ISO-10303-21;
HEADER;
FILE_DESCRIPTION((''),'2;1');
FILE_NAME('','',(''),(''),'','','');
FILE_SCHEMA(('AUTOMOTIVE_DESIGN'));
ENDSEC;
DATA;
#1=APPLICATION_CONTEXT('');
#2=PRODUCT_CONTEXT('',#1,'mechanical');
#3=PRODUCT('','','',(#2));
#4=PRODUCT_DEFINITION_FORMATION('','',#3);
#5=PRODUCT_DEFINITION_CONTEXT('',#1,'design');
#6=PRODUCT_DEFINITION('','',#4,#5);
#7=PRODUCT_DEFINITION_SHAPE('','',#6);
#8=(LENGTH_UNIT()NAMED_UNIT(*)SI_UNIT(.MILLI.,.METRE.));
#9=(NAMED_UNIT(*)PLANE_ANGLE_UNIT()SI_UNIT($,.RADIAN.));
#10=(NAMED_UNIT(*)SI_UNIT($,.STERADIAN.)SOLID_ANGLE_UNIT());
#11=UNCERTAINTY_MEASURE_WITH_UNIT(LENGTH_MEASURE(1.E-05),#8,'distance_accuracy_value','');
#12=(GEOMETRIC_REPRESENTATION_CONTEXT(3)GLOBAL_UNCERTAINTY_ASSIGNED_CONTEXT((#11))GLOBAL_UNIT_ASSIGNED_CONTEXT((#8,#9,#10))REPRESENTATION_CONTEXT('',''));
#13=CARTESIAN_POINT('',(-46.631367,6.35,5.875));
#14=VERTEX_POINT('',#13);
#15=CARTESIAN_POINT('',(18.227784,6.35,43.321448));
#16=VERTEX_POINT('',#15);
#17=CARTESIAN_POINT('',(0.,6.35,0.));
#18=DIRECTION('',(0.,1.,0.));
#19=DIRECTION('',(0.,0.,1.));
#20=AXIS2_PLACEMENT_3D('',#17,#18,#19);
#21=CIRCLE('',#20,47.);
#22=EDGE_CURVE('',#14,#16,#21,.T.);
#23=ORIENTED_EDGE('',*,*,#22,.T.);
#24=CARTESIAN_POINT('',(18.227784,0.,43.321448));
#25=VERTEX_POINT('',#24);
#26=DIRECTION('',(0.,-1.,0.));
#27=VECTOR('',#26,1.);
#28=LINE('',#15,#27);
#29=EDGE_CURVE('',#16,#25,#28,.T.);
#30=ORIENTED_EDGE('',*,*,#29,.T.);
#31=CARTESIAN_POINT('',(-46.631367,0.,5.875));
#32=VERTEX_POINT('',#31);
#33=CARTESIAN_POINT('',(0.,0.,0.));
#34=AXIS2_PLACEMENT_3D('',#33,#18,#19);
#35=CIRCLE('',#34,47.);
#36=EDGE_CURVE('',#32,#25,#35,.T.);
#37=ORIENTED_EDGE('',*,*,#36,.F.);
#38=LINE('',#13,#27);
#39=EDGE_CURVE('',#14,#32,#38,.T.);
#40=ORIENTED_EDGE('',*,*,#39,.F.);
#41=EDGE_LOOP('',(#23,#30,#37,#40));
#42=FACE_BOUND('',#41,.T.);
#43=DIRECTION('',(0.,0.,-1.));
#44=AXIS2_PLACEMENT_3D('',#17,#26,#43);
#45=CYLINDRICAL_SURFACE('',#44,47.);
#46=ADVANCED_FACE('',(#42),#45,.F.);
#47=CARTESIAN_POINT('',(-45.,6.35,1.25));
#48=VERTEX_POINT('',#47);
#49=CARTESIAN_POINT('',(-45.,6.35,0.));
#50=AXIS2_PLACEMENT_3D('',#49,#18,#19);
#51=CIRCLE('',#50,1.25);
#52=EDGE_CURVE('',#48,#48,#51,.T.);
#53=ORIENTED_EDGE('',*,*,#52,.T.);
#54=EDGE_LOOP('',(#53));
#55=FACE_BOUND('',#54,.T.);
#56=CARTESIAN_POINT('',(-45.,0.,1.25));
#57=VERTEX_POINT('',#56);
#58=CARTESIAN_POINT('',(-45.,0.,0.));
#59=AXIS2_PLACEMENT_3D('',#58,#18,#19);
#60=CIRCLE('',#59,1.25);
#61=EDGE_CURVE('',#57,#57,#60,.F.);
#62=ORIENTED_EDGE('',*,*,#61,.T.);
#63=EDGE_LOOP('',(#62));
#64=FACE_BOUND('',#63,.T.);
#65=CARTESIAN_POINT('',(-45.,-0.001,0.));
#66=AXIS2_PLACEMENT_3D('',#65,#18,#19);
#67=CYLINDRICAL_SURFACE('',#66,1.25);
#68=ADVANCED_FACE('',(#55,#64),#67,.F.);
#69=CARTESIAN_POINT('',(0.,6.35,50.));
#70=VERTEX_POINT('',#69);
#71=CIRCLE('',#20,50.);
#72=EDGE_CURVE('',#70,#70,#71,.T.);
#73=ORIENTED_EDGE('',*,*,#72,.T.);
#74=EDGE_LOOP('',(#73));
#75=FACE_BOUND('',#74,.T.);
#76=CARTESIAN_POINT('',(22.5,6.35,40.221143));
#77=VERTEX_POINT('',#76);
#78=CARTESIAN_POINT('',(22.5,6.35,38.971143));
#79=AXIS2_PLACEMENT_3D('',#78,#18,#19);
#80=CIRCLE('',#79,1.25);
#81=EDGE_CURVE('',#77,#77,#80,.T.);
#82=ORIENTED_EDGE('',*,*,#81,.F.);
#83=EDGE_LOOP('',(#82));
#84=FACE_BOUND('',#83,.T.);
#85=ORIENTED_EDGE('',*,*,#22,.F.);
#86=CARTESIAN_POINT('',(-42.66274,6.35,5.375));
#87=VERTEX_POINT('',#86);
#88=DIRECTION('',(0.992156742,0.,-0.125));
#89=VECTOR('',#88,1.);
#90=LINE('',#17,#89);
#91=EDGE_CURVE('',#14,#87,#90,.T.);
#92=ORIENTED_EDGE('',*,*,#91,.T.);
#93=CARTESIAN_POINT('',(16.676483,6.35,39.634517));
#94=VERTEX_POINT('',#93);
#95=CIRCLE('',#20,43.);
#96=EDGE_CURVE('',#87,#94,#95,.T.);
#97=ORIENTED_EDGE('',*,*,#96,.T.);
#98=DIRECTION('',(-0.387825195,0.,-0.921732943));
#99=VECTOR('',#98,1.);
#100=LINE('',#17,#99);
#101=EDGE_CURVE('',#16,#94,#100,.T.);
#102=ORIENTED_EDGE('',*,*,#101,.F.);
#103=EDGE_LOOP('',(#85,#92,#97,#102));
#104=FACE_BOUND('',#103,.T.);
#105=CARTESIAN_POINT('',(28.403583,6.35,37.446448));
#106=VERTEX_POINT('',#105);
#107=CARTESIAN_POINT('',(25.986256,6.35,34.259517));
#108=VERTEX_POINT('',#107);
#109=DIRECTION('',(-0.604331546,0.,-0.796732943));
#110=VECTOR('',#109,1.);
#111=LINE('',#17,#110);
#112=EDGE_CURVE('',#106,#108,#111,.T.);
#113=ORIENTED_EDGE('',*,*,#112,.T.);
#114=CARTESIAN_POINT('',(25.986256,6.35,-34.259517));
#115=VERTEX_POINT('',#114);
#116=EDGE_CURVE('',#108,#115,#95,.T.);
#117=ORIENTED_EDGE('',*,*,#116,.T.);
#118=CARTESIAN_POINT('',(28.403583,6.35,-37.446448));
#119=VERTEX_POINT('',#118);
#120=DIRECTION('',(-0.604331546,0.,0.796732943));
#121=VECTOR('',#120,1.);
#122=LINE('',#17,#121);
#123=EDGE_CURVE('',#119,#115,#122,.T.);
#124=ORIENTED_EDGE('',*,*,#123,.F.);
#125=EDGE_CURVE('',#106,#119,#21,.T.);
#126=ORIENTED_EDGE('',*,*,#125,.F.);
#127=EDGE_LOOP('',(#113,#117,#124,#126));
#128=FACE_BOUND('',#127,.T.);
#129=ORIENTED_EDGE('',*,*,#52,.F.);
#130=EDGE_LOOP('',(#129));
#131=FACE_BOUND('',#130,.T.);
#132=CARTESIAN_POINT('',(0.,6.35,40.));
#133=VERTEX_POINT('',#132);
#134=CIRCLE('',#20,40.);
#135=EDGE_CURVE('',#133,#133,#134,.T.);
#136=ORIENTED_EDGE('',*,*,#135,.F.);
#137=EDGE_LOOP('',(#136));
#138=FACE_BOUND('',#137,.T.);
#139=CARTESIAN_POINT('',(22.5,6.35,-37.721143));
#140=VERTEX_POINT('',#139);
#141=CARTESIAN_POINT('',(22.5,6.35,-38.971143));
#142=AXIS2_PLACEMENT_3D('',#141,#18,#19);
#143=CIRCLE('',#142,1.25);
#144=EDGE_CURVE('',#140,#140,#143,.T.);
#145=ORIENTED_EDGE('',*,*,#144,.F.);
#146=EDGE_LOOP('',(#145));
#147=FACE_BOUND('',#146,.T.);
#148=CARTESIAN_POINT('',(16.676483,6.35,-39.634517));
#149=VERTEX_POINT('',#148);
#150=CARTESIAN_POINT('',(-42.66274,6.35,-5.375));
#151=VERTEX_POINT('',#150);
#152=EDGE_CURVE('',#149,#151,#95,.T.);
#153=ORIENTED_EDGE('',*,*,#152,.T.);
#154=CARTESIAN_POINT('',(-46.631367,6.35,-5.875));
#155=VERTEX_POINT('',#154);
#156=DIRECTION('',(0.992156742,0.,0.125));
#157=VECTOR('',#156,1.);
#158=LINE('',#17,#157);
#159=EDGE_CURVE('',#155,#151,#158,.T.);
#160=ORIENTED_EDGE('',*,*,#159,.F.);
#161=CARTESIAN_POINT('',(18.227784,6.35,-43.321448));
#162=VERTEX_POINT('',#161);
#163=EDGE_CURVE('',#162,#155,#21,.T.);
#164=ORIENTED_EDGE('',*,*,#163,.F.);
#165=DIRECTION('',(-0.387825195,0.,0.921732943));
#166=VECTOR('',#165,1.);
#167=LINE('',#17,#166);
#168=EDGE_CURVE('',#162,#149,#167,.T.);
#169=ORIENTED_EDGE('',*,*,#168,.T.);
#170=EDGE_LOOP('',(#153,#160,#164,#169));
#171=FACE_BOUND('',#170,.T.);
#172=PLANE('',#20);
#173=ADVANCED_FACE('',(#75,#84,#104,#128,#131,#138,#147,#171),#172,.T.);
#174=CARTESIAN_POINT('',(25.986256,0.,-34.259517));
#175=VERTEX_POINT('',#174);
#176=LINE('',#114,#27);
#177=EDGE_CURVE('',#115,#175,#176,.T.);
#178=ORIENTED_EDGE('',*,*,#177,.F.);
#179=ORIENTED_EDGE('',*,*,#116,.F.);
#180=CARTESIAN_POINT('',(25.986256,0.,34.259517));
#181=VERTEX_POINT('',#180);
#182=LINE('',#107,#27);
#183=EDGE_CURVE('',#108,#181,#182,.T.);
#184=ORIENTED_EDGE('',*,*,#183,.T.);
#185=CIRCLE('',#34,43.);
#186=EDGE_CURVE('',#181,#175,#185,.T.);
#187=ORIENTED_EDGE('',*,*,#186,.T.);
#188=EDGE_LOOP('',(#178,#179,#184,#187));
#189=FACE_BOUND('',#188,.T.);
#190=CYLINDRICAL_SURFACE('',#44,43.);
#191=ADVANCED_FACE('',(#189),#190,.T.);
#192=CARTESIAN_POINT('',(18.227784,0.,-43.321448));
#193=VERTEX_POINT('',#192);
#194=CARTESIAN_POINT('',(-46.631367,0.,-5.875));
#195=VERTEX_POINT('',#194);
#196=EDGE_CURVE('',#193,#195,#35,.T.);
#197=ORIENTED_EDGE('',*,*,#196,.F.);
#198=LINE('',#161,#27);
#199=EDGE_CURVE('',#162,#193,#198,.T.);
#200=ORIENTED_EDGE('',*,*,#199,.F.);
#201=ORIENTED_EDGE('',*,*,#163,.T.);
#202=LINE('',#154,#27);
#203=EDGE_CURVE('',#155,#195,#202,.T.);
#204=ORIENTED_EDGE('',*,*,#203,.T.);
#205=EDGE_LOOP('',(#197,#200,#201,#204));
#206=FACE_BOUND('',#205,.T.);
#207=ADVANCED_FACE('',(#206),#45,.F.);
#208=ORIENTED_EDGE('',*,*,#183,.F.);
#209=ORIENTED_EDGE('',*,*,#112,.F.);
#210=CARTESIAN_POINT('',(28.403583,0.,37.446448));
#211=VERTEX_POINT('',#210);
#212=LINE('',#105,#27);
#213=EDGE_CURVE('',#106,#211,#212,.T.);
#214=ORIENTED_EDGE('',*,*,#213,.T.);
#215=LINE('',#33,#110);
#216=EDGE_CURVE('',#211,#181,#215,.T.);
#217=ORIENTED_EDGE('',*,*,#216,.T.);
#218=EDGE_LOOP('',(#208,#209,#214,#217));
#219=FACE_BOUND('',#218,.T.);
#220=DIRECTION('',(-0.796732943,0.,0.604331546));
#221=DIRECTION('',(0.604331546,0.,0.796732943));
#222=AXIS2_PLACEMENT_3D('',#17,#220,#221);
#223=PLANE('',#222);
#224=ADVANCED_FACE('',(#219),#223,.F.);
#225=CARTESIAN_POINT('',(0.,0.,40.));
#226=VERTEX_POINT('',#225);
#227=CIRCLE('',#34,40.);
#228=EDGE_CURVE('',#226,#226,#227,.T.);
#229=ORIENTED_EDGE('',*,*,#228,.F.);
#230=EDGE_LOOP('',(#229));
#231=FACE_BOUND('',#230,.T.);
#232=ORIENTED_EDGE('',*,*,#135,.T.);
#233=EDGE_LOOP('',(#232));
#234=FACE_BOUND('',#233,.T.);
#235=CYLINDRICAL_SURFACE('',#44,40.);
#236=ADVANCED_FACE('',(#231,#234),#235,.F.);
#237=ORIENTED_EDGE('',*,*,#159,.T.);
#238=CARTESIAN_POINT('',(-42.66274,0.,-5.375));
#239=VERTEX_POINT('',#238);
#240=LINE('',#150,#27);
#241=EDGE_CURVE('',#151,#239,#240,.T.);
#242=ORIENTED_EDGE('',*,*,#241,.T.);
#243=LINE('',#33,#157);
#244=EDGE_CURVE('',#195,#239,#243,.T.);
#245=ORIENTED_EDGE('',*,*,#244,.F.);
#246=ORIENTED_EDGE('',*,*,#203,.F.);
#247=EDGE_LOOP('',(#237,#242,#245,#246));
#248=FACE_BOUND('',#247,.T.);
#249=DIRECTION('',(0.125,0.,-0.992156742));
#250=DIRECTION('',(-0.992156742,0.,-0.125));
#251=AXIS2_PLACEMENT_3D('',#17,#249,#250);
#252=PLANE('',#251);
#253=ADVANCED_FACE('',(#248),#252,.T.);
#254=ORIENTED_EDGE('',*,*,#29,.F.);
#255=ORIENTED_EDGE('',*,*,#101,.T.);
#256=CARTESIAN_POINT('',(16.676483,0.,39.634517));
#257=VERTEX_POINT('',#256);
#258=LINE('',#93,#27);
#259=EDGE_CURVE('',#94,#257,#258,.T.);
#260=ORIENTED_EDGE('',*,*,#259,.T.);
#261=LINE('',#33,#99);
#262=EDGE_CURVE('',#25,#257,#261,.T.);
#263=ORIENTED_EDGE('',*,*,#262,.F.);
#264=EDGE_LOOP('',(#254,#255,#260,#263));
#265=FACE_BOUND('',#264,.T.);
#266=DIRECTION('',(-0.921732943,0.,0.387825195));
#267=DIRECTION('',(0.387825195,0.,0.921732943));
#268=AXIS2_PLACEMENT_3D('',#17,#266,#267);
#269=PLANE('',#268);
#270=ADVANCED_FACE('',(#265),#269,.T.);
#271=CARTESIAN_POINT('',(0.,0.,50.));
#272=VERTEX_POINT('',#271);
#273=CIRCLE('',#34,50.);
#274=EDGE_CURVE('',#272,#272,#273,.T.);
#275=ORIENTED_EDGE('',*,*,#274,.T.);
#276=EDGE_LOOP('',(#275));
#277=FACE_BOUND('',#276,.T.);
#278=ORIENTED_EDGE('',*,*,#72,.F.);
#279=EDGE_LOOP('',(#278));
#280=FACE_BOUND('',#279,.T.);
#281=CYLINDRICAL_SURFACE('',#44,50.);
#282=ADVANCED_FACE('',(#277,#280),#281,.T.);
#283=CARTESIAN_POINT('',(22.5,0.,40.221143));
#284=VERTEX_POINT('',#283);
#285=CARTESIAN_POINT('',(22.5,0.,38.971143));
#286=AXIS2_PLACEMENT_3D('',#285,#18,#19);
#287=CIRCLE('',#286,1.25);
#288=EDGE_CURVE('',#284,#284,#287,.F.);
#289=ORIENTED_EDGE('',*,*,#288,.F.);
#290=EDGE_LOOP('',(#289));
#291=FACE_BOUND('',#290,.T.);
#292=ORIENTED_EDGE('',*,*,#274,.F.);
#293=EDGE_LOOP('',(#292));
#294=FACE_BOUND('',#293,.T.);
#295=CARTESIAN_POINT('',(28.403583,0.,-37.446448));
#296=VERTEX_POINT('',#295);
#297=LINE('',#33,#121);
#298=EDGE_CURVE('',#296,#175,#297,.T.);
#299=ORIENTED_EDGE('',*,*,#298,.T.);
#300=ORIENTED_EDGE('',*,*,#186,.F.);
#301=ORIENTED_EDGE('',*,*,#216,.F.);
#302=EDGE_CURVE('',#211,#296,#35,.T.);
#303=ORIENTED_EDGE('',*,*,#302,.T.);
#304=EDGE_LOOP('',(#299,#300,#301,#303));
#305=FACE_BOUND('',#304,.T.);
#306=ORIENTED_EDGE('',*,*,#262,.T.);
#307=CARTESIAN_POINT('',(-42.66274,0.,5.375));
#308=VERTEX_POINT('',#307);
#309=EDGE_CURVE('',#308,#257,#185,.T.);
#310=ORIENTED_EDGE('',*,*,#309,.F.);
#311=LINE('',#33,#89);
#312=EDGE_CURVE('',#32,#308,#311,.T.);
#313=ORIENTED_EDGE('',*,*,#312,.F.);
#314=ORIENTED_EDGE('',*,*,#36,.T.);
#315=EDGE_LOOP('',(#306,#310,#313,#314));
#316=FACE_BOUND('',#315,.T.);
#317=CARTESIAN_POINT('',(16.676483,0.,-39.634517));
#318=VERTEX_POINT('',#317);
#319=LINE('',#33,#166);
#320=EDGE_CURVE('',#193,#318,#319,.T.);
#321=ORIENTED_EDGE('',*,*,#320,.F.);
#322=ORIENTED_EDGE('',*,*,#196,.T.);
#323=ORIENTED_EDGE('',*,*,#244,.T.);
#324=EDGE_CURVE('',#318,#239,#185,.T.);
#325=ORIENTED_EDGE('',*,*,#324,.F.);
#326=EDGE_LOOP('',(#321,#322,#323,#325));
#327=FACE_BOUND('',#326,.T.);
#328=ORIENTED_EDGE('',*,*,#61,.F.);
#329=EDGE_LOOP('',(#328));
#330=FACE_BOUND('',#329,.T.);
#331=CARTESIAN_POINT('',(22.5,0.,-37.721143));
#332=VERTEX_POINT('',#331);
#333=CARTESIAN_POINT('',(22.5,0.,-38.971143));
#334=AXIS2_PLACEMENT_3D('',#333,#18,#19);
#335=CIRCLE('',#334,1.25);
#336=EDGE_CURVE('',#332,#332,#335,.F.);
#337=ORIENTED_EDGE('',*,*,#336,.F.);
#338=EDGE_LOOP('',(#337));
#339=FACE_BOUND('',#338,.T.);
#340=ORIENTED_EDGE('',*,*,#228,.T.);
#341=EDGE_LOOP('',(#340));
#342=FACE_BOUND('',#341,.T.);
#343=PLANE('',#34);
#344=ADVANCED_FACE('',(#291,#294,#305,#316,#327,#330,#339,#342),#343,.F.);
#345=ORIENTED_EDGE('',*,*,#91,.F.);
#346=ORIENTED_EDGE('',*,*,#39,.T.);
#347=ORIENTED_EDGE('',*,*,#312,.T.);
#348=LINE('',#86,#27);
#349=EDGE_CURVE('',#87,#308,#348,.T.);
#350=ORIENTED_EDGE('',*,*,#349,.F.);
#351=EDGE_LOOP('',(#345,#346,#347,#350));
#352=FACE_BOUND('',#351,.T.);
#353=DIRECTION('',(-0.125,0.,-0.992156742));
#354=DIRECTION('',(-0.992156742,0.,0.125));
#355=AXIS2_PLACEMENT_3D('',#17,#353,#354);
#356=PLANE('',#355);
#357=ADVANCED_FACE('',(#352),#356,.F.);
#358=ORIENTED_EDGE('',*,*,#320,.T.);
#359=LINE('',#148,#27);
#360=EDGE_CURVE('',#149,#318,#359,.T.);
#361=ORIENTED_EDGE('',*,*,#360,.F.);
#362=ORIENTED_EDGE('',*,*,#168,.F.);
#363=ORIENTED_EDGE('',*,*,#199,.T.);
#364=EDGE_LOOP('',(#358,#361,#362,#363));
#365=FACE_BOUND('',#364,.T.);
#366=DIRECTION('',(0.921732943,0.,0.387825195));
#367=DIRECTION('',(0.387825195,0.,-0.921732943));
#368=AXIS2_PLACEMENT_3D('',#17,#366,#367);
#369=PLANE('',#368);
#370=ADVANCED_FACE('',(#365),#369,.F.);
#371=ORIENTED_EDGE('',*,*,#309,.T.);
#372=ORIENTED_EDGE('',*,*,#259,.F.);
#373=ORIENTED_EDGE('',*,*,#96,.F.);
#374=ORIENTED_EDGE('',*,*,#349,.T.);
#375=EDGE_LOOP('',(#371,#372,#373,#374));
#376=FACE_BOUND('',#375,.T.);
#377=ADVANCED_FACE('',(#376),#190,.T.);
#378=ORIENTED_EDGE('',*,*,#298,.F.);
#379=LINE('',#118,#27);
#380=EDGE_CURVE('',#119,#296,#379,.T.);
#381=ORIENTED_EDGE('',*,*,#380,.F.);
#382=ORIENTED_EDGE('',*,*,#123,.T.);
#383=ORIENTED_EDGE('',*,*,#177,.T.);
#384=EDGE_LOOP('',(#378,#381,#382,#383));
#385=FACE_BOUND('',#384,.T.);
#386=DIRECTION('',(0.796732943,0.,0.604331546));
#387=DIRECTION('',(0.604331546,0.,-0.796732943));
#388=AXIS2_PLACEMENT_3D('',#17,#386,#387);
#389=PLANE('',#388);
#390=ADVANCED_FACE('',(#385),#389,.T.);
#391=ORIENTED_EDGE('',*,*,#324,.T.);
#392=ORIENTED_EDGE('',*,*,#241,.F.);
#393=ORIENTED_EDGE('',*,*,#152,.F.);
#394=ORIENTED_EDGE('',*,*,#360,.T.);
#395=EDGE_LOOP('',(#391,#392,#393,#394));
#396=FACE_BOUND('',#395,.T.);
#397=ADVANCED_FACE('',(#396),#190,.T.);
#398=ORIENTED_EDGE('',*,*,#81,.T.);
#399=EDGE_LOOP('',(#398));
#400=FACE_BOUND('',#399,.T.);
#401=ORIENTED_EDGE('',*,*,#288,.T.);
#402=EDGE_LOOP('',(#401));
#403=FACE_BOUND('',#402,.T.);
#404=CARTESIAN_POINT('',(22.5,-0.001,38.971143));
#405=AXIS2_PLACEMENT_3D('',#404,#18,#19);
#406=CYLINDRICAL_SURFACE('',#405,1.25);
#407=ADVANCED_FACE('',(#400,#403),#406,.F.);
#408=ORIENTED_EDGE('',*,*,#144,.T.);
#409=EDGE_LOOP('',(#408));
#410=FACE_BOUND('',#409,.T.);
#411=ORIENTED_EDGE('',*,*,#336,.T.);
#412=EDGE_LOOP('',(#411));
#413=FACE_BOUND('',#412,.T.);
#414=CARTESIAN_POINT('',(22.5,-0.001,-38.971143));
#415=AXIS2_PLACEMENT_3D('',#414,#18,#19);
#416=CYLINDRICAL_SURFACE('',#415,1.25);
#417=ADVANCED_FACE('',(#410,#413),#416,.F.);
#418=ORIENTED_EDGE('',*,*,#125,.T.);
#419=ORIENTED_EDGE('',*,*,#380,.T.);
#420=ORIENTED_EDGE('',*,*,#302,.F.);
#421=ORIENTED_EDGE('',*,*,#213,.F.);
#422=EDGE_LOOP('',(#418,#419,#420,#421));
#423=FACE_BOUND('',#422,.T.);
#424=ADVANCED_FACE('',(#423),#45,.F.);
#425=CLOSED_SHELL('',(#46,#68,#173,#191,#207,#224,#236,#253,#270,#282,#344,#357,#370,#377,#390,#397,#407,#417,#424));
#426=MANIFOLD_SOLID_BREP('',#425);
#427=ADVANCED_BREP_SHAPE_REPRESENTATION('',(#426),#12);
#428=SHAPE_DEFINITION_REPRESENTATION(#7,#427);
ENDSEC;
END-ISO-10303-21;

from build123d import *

# Parameters (mm, degrees)
BOSS_EXTRUDE1_DEPTH = 6.35
M3_TAP_HOLES_REACH  = 72.995
SKETCH2_R           = 1.25


with BuildPart() as part:
    # Sketch1 → Boss-Extrude1 (new body)
    with BuildSketch(Plane(origin=(0, 0, 0), x_dir=(1, 0, 0), z_dir=(0, 1, 0))):
        with BuildLine():
            ThreePointArc((50, 0), (44.781853835, 22.239279825), (30.216577315, 39.83664714))
            Line((30.216577315, 39.83664714), (28.403582676, 37.446448312))
            ThreePointArc((28.403582676, 37.446448312), (42.094942605, 20.904923035), (47, 0))
            ThreePointArc((47, 0), (42.094942605, -20.904923035), (28.403582676, -37.446448312))
            Line((28.403582676, -37.446448312), (30.216577315, -39.83664714))
            ThreePointArc((30.216577315, -39.83664714), (44.781853835, -22.239279825), (50, 0))
        make_face()
        with BuildLine():
            ThreePointArc((43, 0), (38.512394298, 19.125780649), (25.986256491, 34.259516541))
            Line((25.986256491, 34.259516541), (24.173261852, 31.869317712))
            ThreePointArc((24.173261852, 31.869317712), (35.825483068, 17.79142386), (40, 0))
            ThreePointArc((40, 0), (35.825483068, -17.79142386), (24.173261852, -31.869317712))
            Line((24.173261852, -31.869317712), (25.986256491, -34.259516541))
            ThreePointArc((25.986256491, -34.259516541), (38.512394298, -19.125780649), (43, 0))
        make_face()
        with BuildLine():
            ThreePointArc((16.6764834, -39.634516541), (21.5, -37.239092363), (25.986256491, -34.259516541))
            Line((25.986256491, -34.259516541), (24.173261852, -31.869317712))
            ThreePointArc((24.173261852, -31.869317712), (20, -34.641016151), (15.513007814, -36.869317712))
            Line((15.513007814, -36.869317712), (16.6764834, -39.634516541))
        make_face()
        with BuildLine():
            ThreePointArc((18.227784182, -43.321448312), (23.5, -40.703193978), (28.403582676, -37.446448312))
            Line((28.403582676, -37.446448312), (25.986256491, -34.259516541))
            ThreePointArc((25.986256491, -34.259516541), (21.5, -37.239092363), (16.6764834, -39.634516541))
            Line((16.6764834, -39.634516541), (18.227784182, -43.321448312))
        make_face()
        with BuildLine():
            ThreePointArc((19.391259768, -46.08664714), (25, -43.301270189), (30.216577315, -39.83664714))
            Line((30.216577315, -39.83664714), (28.403582676, -37.446448312))
            ThreePointArc((28.403582676, -37.446448312), (23.5, -40.703193978), (18.227784182, -43.321448312))
            Line((18.227784182, -43.321448312), (19.391259768, -46.08664714))
        make_face()
        with BuildLine():
            ThreePointArc((-49.607837082, -6.25), (-25, -43.301270189), (19.391259768, -46.08664714))
            Line((19.391259768, -46.08664714), (18.227784182, -43.321448312))
            ThreePointArc((18.227784182, -43.321448312), (-23.5, -40.703193978), (-46.631366858, -5.875))
            Line((-46.631366858, -5.875), (-49.607837082, -6.25))
        make_face()
        with BuildLine():
            ThreePointArc((-42.662739891, -5.375), (-21.5, -37.239092363), (16.6764834, -39.634516541))
            Line((16.6764834, -39.634516541), (15.513007814, -36.869317712))
            ThreePointArc((15.513007814, -36.869317712), (-20, -34.641016151), (-39.686269666, -5))
            Line((-39.686269666, -5), (-42.662739891, -5.375))
        make_face()
        with BuildLine():
            Line((-39.686269666, 5), (-42.662739891, 5.375))
            ThreePointArc((-42.662739891, 5.375), (-43, 0), (-42.662739891, -5.375))
            Line((-42.662739891, -5.375), (-39.686269666, -5))
            ThreePointArc((-39.686269666, -5), (-40, 0), (-39.686269666, 5))
        make_face()
        with BuildLine():
            Line((-42.662739891, 5.375), (-46.631366858, 5.875))
            ThreePointArc((-46.631366858, 5.875), (-47, 0), (-46.631366858, -5.875))
            Line((-46.631366858, -5.875), (-42.662739891, -5.375))
            ThreePointArc((-42.662739891, -5.375), (-43, 0), (-42.662739891, 5.375))
        make_face()
        with BuildLine():
            Line((-46.631366858, 5.875), (-49.607837082, 6.25))
            ThreePointArc((-49.607837082, 6.25), (-50, 0), (-49.607837082, -6.25))
            Line((-49.607837082, -6.25), (-46.631366858, -5.875))
            ThreePointArc((-46.631366858, -5.875), (-47, 0), (-46.631366858, 5.875))
        make_face()
        with BuildLine():
            Line((18.227784182, 43.321448312), (19.391259768, 46.08664714))
            ThreePointArc((19.391259768, 46.08664714), (-25, 43.301270189), (-49.607837082, 6.25))
            Line((-49.607837082, 6.25), (-46.631366858, 5.875))
            ThreePointArc((-46.631366858, 5.875), (-23.5, 40.703193978), (18.227784182, 43.321448312))
        make_face()
        with BuildLine():
            Line((15.513007814, 36.869317712), (16.6764834, 39.634516541))
            ThreePointArc((16.6764834, 39.634516541), (-21.5, 37.239092363), (-42.662739891, 5.375))
            Line((-42.662739891, 5.375), (-39.686269666, 5))
            ThreePointArc((-39.686269666, 5), (-20, 34.641016151), (15.513007814, 36.869317712))
        make_face()
        with BuildLine():
            Line((24.173261852, 31.869317712), (25.986256491, 34.259516541))
            ThreePointArc((25.986256491, 34.259516541), (21.5, 37.239092363), (16.6764834, 39.634516541))
            Line((16.6764834, 39.634516541), (15.513007814, 36.869317712))
            ThreePointArc((15.513007814, 36.869317712), (20, 34.641016151), (24.173261852, 31.869317712))
        make_face()
        with BuildLine():
            Line((25.986256491, 34.259516541), (28.403582676, 37.446448312))
            ThreePointArc((28.403582676, 37.446448312), (23.5, 40.703193978), (18.227784182, 43.321448312))
            Line((18.227784182, 43.321448312), (16.6764834, 39.634516541))
            ThreePointArc((16.6764834, 39.634516541), (21.5, 37.239092363), (25.986256491, 34.259516541))
        make_face()
        with BuildLine():
            Line((28.403582676, 37.446448312), (30.216577315, 39.83664714))
            ThreePointArc((30.216577315, 39.83664714), (25, 43.301270189), (19.391259768, 46.08664714))
            Line((19.391259768, 46.08664714), (18.227784182, 43.321448312))
            ThreePointArc((18.227784182, 43.321448312), (23.5, 40.703193978), (28.403582676, 37.446448312))
        make_face()
    extrude(amount=BOSS_EXTRUDE1_DEPTH)

    # Sketch2 → M3-tap-holes (cut, up to next)
    with BuildSketch(Plane(origin=(0, 6.35, 0), x_dir=(1, 0, 0), z_dir=(0, 1, 0)), mode=Mode.PRIVATE) as m3_tap_holes_sk1:
        with Locations(Location((-45, 0, 0), (0, 0, 270))):
            Circle(SKETCH2_R)
    m3_tap_holes_tool1 = extrude(m3_tap_holes_sk1.sketch, amount=-M3_TAP_HOLES_REACH, mode=Mode.PRIVATE) & part.part
    # Sketch2 → M3-tap-holes (cut, up to next)
    with BuildSketch(Plane(origin=(0, 6.35, 0), x_dir=(1, 0, 0), z_dir=(0, 1, 0)), mode=Mode.PRIVATE) as m3_tap_holes_sk2:
        with Locations(Location((22.5, -38.97114317, 0), (0, 0, 270))):
            Circle(SKETCH2_R)
    m3_tap_holes_tool2 = extrude(m3_tap_holes_sk2.sketch, amount=-M3_TAP_HOLES_REACH, mode=Mode.PRIVATE) & part.part
    # Sketch2 → M3-tap-holes (cut, up to next)
    with BuildSketch(Plane(origin=(0, 6.35, 0), x_dir=(1, 0, 0), z_dir=(0, 1, 0)), mode=Mode.PRIVATE) as m3_tap_holes_sk3:
        with Locations(Location((22.5, 38.97114317, 0), (0, 0, 270))):
            Circle(SKETCH2_R)
    m3_tap_holes_tool3 = extrude(m3_tap_holes_sk3.sketch, amount=-M3_TAP_HOLES_REACH, mode=Mode.PRIVATE) & part.part
    add(m3_tap_holes_tool1.solids().sort_by_distance((-45, 6.35, 0))[0], mode=Mode.SUBTRACT)
    add(m3_tap_holes_tool2.solids().sort_by_distance((22.5, 6.35, 38.971143))[0], mode=Mode.SUBTRACT)
    add(m3_tap_holes_tool3.solids().sort_by_distance((22.5, 6.35, -38.971143))[0], mode=Mode.SUBTRACT)


solid = part.part
